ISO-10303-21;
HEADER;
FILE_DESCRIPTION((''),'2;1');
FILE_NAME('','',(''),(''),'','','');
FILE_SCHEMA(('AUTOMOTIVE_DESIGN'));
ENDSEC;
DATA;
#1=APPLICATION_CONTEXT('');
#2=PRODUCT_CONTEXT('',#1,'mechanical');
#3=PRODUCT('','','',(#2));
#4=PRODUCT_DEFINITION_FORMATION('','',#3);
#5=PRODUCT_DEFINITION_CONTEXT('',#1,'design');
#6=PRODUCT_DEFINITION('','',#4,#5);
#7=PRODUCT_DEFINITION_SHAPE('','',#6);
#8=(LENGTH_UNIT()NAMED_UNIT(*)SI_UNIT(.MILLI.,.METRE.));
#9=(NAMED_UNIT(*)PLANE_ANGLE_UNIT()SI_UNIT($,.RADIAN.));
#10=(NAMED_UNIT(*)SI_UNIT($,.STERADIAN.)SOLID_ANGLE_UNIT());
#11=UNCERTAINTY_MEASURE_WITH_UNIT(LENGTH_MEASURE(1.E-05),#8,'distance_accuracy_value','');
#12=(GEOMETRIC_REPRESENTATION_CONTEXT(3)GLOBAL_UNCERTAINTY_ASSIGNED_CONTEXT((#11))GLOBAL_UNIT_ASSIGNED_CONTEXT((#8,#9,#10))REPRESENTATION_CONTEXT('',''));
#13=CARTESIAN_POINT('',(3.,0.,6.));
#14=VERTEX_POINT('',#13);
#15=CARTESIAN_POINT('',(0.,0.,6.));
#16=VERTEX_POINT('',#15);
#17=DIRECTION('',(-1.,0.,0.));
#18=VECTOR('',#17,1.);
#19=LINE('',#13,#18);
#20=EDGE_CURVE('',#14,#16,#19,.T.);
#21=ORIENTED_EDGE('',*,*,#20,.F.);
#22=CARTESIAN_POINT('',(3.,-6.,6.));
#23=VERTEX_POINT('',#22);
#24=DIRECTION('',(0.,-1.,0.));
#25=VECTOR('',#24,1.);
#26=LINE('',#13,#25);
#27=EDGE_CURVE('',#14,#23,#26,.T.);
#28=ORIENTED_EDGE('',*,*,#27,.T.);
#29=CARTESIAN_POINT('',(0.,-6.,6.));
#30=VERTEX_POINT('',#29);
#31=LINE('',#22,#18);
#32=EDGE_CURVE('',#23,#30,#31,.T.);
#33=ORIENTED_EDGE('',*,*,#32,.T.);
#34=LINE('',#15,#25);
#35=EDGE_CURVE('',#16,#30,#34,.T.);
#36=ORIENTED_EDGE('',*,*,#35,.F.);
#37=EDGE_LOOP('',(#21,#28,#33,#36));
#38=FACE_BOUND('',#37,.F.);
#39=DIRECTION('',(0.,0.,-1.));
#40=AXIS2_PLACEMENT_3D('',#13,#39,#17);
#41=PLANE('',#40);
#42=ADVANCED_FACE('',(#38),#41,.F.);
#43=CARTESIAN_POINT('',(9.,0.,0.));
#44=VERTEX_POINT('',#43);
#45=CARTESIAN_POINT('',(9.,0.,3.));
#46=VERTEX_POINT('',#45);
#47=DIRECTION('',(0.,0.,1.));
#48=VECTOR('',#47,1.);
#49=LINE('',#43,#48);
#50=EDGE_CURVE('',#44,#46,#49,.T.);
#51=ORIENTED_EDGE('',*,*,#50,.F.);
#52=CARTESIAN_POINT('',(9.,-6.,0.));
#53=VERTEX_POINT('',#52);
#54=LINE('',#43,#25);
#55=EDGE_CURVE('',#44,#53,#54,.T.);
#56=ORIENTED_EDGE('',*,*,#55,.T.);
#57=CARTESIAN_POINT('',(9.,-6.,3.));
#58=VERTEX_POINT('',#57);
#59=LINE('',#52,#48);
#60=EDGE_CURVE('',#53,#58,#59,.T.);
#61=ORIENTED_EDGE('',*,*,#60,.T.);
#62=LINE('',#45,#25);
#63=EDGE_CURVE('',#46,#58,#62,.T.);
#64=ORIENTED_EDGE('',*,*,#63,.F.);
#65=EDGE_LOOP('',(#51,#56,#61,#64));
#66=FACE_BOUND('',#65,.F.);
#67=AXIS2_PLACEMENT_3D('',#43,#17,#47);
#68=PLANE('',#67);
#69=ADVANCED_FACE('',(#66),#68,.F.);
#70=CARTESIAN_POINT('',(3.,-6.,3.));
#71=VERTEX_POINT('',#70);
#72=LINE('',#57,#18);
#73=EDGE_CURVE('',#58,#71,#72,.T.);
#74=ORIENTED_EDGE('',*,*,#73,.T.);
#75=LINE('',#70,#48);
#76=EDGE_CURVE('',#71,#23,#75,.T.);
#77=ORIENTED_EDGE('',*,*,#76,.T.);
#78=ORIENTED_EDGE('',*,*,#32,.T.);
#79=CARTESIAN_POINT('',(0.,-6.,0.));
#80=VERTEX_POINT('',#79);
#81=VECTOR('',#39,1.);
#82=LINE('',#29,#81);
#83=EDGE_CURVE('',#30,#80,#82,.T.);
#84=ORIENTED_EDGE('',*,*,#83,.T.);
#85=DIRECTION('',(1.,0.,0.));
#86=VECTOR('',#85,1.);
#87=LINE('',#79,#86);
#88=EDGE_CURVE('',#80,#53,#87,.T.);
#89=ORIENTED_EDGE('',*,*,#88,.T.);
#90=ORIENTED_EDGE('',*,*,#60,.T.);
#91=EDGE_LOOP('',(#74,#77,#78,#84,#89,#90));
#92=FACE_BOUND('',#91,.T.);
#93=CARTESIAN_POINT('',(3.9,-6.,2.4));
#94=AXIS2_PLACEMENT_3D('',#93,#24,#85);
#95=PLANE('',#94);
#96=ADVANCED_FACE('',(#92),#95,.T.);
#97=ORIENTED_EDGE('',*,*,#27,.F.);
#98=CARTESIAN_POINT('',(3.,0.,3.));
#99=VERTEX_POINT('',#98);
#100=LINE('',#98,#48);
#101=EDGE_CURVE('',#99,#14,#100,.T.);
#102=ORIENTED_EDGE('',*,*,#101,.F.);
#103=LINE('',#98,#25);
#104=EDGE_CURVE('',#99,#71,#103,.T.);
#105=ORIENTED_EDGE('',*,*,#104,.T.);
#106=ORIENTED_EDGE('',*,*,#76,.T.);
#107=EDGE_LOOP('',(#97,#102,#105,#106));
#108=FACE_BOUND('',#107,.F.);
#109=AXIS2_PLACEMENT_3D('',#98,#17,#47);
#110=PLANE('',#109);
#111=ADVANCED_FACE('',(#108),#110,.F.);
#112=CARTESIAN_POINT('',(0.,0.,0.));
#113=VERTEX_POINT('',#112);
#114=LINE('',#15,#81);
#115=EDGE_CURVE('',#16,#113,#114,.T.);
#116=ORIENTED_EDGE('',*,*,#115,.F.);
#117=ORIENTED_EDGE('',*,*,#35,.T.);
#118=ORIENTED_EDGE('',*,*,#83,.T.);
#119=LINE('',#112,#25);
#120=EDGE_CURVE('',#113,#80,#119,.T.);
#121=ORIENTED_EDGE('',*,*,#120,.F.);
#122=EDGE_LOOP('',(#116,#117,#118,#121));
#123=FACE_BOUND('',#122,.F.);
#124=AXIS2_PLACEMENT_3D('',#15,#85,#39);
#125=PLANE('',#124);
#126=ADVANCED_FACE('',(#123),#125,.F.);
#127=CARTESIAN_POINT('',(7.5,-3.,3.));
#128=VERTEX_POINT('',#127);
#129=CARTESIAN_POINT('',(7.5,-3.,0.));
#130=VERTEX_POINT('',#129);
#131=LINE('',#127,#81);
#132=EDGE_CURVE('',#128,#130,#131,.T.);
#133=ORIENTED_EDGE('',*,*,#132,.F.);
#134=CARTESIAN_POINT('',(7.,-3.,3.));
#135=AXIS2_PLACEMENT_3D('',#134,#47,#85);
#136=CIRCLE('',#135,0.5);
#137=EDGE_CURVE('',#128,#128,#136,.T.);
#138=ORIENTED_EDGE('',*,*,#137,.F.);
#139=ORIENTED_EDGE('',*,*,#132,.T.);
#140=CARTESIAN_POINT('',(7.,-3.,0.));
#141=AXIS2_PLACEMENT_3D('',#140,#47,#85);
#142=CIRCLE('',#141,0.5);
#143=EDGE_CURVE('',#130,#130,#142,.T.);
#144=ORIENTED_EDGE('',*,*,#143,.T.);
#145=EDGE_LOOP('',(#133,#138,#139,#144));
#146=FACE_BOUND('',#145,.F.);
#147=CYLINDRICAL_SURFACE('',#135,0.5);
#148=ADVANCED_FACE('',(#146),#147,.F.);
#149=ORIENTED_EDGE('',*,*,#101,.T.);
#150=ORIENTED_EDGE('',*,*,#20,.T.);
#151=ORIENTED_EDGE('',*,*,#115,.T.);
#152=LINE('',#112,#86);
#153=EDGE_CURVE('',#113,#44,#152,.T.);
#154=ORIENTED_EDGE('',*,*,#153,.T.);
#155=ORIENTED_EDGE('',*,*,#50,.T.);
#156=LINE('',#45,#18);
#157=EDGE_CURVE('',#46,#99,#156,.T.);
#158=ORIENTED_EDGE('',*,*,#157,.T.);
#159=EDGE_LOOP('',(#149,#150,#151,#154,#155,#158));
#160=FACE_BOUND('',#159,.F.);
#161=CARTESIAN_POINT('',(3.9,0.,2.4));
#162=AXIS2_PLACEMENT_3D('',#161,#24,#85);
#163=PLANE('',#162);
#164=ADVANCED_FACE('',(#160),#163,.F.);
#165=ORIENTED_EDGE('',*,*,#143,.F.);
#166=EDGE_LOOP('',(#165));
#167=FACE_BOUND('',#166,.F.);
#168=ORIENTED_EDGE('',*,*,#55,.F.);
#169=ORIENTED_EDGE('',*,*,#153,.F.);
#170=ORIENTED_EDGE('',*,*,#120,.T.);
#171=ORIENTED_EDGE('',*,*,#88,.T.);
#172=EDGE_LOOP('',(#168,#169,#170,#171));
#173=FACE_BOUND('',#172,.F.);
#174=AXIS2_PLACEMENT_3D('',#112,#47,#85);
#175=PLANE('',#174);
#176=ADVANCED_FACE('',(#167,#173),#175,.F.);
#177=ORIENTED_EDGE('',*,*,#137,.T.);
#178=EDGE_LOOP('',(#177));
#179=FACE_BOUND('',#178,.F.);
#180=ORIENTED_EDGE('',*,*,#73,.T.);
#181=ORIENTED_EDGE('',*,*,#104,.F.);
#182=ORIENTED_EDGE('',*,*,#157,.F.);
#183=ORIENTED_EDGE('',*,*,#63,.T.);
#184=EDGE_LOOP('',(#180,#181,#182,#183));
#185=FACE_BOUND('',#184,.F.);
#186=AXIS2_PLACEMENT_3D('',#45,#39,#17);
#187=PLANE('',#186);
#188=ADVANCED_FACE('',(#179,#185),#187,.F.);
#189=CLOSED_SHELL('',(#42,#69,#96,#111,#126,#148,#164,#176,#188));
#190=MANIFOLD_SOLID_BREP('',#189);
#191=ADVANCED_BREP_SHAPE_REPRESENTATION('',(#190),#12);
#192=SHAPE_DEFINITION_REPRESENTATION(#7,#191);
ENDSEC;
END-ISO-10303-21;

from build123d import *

# Parameters (mm, degrees)
F1_DEPTH = 6
F2_R     = 0.5
F3_DEPTH = 3.001


with BuildPart() as f1:
    # F0 (on Front) → F1 (new body)
    with BuildSketch(Plane.XZ):
        Polygon((0, 6), (0, 0), (9, 0), (9, 3), (3, 3), (3, 6), align=None)
    extrude(amount=F1_DEPTH)

    # F2 (on face) → F3 (cut, through all)
    with BuildSketch(Plane.XY.offset(3)):
        with Locations((7, -3)):
            Circle(F2_R)
    extrude(amount=-F3_DEPTH, mode=Mode.SUBTRACT)


solid = f1.part
